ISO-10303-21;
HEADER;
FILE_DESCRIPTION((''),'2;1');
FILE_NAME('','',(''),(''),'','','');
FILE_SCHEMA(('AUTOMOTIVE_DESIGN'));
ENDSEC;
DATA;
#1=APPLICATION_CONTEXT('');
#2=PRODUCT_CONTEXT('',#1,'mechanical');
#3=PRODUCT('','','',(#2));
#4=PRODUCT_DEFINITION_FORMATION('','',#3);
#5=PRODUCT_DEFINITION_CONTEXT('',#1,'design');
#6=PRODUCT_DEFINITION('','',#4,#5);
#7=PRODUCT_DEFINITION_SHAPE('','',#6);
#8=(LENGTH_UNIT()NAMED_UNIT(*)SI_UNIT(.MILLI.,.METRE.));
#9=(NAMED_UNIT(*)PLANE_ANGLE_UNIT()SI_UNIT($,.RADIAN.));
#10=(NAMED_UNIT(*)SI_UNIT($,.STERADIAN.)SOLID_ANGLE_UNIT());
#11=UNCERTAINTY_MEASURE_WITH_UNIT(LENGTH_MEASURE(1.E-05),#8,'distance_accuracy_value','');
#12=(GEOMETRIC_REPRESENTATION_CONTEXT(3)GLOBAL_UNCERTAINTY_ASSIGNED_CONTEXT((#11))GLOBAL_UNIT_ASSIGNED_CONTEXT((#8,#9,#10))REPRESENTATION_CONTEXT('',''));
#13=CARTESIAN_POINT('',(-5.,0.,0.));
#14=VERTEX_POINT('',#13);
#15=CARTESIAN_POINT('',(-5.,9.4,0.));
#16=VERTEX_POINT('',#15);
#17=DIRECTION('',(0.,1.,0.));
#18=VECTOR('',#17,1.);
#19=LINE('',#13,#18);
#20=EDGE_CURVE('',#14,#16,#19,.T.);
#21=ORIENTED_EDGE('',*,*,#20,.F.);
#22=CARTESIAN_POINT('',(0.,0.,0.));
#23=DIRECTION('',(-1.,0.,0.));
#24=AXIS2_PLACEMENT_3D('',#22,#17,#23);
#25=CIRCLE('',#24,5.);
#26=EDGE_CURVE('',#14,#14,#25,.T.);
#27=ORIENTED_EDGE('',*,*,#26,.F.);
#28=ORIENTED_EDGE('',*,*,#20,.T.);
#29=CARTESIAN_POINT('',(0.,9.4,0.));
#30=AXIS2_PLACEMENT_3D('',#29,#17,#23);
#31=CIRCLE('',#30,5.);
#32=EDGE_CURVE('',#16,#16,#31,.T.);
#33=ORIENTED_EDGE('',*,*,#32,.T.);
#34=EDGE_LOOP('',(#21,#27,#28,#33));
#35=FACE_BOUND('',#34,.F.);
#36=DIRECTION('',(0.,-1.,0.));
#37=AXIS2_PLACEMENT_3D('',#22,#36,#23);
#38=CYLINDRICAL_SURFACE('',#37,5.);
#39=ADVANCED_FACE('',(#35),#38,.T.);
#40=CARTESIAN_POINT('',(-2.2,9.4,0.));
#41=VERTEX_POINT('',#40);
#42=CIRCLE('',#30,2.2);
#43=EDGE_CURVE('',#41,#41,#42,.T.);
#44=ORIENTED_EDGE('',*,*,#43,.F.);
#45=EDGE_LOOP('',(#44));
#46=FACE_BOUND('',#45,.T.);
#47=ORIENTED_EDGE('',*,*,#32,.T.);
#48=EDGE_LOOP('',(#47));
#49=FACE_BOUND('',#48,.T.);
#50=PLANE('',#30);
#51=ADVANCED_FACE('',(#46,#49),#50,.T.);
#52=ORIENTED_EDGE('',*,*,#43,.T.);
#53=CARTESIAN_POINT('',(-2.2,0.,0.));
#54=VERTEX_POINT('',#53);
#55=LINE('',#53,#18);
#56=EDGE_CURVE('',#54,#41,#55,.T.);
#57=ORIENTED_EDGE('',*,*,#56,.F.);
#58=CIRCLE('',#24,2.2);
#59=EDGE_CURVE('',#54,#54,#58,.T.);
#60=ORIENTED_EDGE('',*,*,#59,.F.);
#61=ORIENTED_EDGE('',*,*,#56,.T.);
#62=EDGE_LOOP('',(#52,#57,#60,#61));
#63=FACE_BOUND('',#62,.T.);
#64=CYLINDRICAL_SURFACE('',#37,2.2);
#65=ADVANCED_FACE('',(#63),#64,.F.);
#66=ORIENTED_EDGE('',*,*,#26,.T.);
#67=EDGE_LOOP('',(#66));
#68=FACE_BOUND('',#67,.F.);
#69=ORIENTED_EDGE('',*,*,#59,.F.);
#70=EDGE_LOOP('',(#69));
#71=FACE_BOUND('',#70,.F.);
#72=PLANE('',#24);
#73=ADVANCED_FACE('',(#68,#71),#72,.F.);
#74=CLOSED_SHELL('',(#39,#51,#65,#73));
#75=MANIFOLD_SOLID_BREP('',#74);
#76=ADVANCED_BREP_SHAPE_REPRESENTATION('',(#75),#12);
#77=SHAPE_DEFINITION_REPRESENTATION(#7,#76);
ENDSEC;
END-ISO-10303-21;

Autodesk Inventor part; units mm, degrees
ref_plane "YZ Plane" through (0, 0, 0) normal (1, 0, 0) x (0, 1, 0)
ref_plane "XZ Plane" through (0, 0, 0) normal (0, 1, 0) x (-1, 0, 0)
ref_plane "XY Plane" through (0, 0, 0) normal (0, 0, 1) x (1, 0, 0)
sketch "Sketch1" plane through (0, 0, 0) normal (0, 1, 0) x (-1, 0, 0)
  circle A0 centre (0, 0) radius 5
  circle A1 centre (0, 0) radius 2.2
  dimension "d0" = 10
  dimension "d1" = 4.4
extrude "Extrusion1" add sketch "Sketch1" along normal blind 9.4
properties part number "YAxisBearingSpacer" material "ABS Plastic"
